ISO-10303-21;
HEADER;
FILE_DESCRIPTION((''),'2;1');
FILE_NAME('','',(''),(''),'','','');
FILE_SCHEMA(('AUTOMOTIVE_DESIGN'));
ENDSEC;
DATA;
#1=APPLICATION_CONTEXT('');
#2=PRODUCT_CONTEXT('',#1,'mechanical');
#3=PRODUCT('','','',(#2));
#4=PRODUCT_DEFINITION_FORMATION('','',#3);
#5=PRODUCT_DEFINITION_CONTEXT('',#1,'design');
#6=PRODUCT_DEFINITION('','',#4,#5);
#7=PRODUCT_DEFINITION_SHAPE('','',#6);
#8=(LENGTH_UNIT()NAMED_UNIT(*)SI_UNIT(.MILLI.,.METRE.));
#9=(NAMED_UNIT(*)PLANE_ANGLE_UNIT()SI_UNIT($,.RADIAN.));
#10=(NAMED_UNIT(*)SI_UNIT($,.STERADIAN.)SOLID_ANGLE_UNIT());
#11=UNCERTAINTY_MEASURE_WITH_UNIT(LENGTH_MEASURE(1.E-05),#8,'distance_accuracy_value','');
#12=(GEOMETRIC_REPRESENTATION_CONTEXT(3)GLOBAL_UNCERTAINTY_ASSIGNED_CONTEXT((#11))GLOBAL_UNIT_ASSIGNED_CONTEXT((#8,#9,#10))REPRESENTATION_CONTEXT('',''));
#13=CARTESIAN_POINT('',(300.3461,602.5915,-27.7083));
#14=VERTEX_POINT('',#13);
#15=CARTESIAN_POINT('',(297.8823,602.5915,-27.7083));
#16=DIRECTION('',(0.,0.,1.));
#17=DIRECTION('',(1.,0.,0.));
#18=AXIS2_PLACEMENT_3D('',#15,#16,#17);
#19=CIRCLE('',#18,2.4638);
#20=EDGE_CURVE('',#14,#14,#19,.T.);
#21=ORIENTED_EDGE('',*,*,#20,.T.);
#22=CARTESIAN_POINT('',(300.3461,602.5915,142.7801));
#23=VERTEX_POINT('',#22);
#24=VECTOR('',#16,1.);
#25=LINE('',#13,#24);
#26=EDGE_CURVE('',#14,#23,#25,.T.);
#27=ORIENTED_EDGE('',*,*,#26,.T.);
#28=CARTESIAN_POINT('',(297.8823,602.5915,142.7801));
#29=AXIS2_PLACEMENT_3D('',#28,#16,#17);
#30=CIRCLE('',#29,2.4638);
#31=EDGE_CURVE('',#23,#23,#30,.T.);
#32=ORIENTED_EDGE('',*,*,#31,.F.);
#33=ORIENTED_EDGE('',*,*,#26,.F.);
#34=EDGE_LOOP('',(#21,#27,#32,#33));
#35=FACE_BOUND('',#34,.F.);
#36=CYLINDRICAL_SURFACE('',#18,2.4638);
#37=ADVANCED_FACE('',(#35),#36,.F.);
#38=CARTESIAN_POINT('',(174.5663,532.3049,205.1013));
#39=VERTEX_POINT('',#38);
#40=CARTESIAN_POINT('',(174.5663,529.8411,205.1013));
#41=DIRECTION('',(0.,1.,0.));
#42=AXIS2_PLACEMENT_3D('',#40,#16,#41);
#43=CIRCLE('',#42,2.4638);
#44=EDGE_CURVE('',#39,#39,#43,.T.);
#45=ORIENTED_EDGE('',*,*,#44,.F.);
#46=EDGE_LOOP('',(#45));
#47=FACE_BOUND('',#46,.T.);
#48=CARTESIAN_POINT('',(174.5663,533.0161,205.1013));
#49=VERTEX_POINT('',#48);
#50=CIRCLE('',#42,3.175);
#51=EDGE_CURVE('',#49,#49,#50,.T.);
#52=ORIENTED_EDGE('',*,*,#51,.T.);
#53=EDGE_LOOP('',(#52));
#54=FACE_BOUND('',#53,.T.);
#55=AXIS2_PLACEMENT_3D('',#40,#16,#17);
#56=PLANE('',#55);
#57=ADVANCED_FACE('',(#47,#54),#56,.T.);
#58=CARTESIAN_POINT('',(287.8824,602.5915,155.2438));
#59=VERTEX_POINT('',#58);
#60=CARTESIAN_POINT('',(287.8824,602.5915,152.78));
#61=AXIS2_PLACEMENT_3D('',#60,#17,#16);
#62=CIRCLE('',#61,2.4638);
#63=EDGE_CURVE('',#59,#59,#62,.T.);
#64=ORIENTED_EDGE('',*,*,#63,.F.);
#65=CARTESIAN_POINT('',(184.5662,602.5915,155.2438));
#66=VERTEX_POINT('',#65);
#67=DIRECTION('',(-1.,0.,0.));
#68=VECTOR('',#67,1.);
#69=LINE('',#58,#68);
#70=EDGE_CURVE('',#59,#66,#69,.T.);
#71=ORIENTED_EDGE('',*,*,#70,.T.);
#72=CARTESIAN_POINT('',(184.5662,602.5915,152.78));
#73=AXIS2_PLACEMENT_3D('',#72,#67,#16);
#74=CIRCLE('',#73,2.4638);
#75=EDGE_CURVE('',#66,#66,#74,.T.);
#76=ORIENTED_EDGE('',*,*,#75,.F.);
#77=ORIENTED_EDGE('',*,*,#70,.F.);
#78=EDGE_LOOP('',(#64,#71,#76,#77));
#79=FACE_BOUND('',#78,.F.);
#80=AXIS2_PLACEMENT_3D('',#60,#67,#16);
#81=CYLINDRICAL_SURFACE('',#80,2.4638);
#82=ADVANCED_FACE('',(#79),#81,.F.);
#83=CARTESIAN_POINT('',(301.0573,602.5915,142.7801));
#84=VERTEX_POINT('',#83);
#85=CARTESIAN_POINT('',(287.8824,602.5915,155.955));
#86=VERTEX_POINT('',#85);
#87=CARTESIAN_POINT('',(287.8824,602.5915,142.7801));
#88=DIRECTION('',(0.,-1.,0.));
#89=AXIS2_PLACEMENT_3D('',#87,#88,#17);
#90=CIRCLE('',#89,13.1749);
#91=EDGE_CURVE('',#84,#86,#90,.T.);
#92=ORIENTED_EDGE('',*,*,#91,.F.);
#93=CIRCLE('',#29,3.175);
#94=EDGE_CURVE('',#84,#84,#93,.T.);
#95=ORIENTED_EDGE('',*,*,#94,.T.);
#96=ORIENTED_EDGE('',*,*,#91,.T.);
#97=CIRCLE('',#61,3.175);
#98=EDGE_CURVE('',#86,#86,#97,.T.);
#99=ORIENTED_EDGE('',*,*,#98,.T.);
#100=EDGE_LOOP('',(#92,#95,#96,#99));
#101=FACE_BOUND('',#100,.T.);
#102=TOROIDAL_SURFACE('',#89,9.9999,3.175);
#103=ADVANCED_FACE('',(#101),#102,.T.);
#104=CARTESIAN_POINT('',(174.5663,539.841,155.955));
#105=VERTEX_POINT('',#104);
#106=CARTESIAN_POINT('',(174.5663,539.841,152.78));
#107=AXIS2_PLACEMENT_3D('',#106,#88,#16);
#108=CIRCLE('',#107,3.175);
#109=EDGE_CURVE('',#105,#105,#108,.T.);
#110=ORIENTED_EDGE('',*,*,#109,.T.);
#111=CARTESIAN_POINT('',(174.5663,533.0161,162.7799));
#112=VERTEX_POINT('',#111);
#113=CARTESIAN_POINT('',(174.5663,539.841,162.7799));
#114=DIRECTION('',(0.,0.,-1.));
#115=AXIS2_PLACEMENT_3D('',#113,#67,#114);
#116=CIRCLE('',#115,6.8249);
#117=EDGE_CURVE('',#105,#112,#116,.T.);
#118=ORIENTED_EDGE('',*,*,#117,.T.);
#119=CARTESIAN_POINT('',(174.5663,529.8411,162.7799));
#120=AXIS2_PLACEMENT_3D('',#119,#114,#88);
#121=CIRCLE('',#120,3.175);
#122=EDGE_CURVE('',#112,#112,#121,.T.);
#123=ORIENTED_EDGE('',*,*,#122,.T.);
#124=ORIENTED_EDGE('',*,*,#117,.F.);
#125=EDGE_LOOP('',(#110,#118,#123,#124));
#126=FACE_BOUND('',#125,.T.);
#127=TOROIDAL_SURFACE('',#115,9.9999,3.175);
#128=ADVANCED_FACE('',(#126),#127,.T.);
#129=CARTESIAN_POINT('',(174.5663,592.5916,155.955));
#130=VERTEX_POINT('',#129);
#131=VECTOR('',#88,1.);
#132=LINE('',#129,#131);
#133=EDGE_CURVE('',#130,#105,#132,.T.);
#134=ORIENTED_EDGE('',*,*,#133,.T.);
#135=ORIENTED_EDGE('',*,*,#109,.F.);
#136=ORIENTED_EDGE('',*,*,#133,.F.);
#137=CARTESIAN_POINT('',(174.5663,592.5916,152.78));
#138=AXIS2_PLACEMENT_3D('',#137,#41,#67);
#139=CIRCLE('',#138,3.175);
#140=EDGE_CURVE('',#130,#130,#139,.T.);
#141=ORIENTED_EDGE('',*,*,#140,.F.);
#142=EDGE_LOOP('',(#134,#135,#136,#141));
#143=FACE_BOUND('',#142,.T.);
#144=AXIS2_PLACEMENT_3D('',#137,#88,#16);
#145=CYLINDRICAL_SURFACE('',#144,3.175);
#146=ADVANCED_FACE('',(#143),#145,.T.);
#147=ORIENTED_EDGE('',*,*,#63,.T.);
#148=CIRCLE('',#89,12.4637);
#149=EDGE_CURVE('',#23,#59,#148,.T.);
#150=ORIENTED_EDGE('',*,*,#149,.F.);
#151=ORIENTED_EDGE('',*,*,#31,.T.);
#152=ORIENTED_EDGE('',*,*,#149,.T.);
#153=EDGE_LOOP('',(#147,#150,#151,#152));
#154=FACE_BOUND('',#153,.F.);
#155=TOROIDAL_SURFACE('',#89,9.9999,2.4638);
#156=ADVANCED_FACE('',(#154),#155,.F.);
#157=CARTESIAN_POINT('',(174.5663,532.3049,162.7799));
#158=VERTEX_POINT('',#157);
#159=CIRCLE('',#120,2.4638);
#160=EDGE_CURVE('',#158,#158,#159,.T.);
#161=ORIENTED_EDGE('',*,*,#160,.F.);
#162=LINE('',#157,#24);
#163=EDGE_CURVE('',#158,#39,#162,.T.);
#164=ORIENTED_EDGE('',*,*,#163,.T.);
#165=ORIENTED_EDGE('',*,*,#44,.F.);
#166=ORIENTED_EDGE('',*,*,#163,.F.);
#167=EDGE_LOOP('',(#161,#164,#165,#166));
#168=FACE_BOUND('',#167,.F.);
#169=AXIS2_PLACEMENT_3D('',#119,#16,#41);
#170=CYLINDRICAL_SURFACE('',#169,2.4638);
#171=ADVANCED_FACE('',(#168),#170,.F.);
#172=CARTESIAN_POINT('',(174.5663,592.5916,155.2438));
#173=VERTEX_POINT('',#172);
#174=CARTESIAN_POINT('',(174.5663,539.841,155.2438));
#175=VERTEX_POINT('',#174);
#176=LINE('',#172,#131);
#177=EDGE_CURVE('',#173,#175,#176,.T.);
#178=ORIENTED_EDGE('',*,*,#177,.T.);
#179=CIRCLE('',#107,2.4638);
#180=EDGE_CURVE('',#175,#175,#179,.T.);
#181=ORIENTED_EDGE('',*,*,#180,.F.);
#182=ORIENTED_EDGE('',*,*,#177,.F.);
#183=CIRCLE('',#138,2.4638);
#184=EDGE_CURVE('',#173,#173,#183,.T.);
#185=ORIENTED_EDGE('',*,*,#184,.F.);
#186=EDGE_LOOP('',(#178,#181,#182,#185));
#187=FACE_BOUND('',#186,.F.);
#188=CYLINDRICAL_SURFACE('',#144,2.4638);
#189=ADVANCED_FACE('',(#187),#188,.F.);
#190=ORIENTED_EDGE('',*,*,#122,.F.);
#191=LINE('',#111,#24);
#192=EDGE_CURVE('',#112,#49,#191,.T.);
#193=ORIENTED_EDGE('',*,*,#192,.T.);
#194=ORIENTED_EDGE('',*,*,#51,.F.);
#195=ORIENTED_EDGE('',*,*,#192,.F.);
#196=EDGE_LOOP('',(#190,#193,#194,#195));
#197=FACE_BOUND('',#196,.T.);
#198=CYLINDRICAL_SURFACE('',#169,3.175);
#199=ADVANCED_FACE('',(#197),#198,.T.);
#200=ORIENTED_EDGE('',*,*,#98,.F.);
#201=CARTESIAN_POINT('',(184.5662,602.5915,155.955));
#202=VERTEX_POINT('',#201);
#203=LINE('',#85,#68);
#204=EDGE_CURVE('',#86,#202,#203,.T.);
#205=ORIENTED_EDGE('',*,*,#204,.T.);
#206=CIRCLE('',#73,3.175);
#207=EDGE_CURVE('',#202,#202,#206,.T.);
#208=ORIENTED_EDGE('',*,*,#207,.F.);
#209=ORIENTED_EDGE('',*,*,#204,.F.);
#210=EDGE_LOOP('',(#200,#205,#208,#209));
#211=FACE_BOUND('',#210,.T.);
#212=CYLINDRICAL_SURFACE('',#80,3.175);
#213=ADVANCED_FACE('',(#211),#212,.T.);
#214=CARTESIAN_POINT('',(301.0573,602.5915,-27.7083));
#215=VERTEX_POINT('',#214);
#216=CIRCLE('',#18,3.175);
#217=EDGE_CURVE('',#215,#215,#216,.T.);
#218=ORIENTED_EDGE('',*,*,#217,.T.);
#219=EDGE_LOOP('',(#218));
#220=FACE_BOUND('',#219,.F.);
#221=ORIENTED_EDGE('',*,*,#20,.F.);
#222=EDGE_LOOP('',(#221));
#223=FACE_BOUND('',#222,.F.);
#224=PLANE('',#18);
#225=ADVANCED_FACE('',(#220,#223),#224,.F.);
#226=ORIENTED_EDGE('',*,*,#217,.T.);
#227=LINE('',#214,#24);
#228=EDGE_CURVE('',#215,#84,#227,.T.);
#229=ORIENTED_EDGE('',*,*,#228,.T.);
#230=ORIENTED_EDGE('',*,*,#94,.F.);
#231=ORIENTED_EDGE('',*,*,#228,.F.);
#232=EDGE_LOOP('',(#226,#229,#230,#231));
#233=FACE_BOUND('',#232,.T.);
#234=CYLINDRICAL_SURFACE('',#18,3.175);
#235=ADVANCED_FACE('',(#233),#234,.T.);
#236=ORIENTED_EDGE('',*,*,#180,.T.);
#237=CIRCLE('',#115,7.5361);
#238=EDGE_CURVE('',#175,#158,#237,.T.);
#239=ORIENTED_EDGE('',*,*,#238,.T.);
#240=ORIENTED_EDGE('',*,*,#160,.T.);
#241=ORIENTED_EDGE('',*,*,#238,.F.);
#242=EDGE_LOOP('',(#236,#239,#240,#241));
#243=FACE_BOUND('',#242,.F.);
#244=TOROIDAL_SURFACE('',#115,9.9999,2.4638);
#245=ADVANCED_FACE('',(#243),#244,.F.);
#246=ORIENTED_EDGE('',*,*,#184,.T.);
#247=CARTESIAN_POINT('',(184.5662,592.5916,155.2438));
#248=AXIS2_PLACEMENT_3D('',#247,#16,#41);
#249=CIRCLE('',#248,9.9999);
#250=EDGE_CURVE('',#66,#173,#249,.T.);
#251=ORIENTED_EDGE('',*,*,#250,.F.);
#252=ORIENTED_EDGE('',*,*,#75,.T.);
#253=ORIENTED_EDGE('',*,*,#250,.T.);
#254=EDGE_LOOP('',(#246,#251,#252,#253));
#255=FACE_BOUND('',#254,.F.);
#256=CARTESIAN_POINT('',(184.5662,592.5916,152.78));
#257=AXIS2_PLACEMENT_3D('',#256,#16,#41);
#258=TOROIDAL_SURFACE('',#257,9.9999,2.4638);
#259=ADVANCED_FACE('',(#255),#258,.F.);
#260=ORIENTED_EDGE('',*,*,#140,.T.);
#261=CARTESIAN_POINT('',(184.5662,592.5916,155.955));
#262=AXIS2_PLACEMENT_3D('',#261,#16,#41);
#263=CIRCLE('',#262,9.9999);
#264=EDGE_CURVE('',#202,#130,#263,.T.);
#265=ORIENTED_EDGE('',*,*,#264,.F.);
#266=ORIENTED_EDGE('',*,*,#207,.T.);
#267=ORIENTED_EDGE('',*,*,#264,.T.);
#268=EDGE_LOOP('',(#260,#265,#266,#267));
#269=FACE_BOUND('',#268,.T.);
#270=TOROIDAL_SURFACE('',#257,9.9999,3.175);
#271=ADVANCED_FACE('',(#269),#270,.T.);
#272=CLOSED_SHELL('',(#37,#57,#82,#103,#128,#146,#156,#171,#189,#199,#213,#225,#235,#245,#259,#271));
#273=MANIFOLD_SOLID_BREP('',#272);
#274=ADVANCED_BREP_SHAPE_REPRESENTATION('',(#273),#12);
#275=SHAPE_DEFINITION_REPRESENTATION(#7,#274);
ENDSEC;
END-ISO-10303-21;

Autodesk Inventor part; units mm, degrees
ref_plane "YZ Plane" through (0, 0, 0) normal (1, 0, 0) x (0, 1, 0)
ref_plane "XZ Plane" through (0, 0, 0) normal (0, 1, 0) x (-1, 0, 0)
ref_plane "Work Plane3" through (297.8823, 602.5915, -27.7083) normal (0, 0, 1) x (1, 0, 0)
sketch "Sketch3" plane through (297.8823, 602.5915, -27.7083) normal (0, 0, 1) x (1, 0, 0)
  circle A0 centre (0, 0) radius 3.175
  circle A1 centre (0, 0) radius 2.4638
sketch3d "3D Sketch1"
  line L0 (297.8823, 602.5915, -27.7083) -> (297.8823, 602.5915, 142.7801)
  arc A0 (297.8823, 602.5915, 142.7801) -> (287.8824, 602.5915, 152.78) centre (287.8824, 602.5915, 142.7801) ccw
  line L1 (287.8824, 602.5915, 152.78) -> (184.5662, 602.5915, 152.78)
  arc A1 (184.5662, 602.5915, 152.78) -> (174.5663, 592.5916, 152.78) centre (184.5662, 592.5916, 152.78) ccw
  line L2 (174.5663, 592.5916, 152.78) -> (174.5663, 539.841, 152.78)
  arc A2 (174.5663, 539.841, 152.78) -> (174.5663, 529.8411, 162.7799) centre (174.5663, 539.841, 162.7799) ccw
  line L3 (174.5663, 529.8411, 162.7799) -> (174.5663, 529.8411, 205.1013)
  dimension "d7" = 9.9999
  dimension "d6" = 9.9999
  dimension "d8" = 9.9999
sweep "Sweep1" add profiles "Sketch3" path "3D Sketch1"
equation "\"OD\" = 6.35"
equation "\"t\" = 0.7112"
equation "\"L\" = PL"
equation "\"ID\" = 4.9276"
equation "\"PL\" = 416.0012"
equation "\"D\" = 15.24"
equation "\"Size_Designation\" = 1.2345"
properties material "Stainless Steel"
